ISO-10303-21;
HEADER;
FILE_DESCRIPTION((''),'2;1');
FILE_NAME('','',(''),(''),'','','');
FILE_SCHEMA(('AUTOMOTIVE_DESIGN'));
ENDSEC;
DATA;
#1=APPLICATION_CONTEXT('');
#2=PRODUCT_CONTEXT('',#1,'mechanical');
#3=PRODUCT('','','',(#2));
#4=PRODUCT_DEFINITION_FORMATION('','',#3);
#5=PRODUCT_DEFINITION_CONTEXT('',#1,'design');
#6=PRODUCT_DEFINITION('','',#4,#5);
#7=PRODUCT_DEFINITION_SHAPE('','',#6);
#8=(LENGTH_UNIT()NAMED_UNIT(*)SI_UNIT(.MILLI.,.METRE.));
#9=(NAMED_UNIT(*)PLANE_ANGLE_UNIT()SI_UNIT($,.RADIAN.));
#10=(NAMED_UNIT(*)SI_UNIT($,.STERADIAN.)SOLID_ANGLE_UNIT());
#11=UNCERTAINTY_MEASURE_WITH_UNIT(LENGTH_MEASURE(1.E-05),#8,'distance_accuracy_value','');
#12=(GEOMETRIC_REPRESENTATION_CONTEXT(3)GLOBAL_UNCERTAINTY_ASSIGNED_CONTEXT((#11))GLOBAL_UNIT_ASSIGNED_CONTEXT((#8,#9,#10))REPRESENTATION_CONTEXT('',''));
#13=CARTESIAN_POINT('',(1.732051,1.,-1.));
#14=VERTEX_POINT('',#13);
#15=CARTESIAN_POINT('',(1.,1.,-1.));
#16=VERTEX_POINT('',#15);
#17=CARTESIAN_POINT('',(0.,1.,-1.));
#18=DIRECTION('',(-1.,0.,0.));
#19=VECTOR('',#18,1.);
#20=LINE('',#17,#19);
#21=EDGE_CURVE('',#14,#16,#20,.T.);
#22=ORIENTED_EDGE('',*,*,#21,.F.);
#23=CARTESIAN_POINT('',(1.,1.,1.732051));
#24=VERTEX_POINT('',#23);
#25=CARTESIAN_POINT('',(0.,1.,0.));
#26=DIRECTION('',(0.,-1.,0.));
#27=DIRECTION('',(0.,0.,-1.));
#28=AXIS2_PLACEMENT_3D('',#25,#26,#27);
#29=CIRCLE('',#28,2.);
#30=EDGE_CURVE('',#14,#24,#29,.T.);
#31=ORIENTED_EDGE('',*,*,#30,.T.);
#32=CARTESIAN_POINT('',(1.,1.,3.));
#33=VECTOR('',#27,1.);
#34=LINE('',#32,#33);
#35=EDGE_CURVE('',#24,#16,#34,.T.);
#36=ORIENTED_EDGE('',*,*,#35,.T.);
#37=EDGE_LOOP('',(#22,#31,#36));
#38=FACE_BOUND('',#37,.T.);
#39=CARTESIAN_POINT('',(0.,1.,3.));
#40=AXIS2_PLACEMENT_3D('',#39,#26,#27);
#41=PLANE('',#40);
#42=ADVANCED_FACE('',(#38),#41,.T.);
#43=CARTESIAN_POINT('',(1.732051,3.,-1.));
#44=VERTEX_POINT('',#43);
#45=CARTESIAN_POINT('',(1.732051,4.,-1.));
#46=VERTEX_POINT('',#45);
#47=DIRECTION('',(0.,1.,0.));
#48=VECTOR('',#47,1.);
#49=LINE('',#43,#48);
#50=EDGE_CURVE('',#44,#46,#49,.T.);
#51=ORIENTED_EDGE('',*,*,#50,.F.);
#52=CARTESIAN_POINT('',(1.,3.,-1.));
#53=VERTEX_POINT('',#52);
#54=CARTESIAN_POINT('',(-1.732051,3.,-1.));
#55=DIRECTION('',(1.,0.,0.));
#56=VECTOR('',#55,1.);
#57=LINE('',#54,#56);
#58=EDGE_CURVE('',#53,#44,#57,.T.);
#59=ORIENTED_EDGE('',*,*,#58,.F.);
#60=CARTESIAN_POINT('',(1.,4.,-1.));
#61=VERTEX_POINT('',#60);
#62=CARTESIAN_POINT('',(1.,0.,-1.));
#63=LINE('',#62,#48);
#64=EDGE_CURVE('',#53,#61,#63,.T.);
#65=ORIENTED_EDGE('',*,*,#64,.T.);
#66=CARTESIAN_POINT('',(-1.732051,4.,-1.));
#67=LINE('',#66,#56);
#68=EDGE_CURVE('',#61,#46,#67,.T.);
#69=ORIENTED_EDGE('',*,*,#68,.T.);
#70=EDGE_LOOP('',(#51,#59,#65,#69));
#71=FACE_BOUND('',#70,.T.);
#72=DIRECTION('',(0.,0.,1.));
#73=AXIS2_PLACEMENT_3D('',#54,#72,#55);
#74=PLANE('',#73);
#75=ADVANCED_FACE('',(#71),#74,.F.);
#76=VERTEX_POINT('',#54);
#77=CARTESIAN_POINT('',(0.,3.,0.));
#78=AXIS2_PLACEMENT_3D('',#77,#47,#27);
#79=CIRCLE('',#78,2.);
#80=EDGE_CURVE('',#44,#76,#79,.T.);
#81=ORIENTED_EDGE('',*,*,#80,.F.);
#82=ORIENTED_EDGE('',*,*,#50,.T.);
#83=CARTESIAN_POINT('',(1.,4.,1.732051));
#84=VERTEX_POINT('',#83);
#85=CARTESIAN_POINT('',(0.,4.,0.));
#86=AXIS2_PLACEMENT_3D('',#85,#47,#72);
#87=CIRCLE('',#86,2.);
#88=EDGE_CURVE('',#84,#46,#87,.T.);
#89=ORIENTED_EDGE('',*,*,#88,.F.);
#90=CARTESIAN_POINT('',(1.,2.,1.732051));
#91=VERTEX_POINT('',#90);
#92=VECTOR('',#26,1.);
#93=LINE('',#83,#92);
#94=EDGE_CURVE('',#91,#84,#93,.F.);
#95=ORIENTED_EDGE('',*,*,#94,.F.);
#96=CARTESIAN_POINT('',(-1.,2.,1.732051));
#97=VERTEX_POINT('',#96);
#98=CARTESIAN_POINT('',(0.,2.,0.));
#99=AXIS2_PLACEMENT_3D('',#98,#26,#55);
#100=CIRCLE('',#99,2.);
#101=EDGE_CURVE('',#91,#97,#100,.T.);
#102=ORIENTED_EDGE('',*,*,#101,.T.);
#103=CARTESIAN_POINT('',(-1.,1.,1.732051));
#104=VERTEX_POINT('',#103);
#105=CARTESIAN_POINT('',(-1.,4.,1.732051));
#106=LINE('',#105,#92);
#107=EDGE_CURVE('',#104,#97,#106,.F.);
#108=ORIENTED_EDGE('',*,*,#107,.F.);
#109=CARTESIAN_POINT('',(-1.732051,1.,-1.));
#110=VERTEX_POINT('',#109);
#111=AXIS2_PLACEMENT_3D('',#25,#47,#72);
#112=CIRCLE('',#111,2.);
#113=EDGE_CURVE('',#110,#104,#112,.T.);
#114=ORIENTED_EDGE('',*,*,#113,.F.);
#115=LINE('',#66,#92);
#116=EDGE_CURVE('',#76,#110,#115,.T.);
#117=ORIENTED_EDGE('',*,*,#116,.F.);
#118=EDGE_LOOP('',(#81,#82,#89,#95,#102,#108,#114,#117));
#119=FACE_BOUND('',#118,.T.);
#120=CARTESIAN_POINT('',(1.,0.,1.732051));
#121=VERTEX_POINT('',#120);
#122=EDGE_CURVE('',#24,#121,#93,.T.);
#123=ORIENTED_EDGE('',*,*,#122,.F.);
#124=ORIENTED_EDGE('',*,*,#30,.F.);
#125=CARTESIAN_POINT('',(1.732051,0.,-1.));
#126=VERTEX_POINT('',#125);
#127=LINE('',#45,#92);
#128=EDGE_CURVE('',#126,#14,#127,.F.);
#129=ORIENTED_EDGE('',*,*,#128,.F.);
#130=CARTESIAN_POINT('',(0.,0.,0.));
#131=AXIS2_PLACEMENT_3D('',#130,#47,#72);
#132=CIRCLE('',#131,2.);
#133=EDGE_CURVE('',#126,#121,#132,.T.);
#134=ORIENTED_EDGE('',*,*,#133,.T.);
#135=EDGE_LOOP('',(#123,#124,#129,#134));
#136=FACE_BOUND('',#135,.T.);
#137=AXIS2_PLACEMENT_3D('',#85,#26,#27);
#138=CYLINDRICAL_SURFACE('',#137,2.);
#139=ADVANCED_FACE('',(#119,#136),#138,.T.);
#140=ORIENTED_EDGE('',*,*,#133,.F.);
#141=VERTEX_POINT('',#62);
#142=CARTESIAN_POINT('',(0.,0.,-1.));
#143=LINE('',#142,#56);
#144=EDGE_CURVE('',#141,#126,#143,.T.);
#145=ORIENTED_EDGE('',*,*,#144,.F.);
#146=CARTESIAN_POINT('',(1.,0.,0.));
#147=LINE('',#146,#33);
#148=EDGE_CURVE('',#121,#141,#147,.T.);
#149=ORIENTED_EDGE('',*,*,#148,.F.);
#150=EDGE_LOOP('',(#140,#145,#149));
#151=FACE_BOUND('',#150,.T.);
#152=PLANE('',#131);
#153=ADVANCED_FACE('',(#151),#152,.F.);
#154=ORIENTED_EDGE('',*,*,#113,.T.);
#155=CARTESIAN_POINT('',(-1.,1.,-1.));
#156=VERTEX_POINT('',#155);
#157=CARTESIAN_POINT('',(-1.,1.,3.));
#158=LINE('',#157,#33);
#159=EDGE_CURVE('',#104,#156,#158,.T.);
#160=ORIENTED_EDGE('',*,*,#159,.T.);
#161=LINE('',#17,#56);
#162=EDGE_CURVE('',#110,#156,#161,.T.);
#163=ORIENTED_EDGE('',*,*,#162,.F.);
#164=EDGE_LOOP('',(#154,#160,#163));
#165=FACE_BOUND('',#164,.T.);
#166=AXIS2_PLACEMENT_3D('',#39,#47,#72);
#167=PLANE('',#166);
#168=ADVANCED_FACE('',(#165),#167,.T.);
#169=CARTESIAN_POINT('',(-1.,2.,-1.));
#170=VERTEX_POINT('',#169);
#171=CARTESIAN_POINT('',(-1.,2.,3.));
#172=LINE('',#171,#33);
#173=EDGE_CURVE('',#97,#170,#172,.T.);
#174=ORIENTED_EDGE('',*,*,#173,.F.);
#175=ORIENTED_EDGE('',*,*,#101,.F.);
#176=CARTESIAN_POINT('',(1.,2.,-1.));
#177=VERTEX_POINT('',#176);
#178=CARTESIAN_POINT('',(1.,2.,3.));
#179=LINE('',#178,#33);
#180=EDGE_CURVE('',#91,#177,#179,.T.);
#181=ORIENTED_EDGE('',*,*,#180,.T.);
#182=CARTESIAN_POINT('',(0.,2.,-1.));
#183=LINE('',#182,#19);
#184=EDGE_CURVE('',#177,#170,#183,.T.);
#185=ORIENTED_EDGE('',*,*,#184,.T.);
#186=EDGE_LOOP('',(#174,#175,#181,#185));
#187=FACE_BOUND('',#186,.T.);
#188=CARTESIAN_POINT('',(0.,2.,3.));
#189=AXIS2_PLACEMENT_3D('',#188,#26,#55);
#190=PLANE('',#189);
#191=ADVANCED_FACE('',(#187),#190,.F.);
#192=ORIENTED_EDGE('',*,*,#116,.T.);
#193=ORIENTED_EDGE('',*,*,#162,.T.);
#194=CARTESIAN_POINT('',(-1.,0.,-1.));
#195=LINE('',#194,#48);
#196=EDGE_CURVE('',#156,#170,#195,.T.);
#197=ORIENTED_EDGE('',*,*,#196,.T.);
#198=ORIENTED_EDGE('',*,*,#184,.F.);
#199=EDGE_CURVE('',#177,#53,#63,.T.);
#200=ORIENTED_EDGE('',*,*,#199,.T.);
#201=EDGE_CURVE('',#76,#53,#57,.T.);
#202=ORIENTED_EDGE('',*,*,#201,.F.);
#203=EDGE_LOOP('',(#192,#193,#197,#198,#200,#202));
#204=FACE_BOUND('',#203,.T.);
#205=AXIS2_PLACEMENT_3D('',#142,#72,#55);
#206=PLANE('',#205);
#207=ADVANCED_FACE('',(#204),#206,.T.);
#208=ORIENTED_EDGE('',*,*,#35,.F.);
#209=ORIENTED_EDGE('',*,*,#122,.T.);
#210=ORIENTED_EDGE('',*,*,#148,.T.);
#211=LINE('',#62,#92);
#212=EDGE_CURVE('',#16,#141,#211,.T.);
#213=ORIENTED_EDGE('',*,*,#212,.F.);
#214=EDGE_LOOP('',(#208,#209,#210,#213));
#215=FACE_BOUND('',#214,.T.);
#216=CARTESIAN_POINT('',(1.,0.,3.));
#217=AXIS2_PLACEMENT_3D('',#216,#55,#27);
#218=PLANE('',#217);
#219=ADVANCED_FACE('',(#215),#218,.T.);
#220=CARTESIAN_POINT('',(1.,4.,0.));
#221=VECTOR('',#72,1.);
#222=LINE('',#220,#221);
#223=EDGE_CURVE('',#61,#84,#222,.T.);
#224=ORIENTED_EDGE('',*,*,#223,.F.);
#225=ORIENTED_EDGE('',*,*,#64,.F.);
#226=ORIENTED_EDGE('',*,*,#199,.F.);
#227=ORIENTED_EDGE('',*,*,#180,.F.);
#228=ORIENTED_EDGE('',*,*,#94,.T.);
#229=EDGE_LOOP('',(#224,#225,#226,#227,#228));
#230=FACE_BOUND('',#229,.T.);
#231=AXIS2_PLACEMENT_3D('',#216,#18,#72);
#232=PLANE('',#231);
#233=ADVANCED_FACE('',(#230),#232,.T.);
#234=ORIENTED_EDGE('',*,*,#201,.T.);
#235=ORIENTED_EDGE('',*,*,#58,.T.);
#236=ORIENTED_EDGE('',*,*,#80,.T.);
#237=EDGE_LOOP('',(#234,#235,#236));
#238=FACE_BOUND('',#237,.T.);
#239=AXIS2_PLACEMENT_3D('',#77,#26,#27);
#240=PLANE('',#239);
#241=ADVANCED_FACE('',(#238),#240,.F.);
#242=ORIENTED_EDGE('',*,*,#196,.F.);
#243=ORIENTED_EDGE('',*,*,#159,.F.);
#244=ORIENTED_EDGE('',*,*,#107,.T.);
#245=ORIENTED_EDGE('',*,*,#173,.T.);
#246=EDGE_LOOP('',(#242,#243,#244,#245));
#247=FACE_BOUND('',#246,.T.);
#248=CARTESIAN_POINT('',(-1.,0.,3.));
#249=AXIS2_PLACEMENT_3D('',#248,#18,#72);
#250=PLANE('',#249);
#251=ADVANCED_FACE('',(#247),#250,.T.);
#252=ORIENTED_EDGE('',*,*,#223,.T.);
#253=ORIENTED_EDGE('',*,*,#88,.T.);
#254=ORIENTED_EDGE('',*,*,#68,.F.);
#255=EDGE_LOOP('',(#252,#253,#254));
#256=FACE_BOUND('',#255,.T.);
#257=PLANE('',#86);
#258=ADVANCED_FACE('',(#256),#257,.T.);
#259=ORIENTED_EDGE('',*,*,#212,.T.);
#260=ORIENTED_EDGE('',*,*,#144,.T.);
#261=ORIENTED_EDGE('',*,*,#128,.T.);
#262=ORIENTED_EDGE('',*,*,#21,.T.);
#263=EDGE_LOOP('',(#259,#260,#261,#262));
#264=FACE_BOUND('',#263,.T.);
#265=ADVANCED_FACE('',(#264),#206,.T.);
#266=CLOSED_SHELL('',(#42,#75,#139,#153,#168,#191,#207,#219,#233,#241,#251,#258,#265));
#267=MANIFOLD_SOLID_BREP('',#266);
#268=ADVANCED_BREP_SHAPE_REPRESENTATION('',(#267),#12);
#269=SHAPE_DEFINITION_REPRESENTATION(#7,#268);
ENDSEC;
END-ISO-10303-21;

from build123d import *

# Parameters (mm, degrees)
SKETCH1_R               = 2
BOSS_EXTRUDE1_DEPTH     = 4
SKETCH2_W               = 1
SKETCH2_H               = 1
CUT_EXTRUDE1_DEPTH      = 3
CUT_EXTRUDE1_DEPTH_BACK = 1
CUT_EXTRUDE4_DEPTH      = 1


with BuildPart() as part:
    # Sketch1 → Boss-Extrude1 (new body)
    with BuildSketch(Plane(origin=(0, 0, 0), x_dir=(1, 0, 0), z_dir=(0, 1, 0))):
        Circle(SKETCH1_R)
    extrude(amount=BOSS_EXTRUDE1_DEPTH)

    # Sketch2 → Cut-Extrude1 (cut, two sides)
    with BuildSketch(Plane.XY) as cut_extrude1_sk:
        Polygon((1, 2), (1, 3), (1, 4), (-2, 4), (-2, 3), (-2, 1), (-1, 1), (-1, 2), align=None)
        with Locations((1.5, 0.5)):
            Rectangle(SKETCH2_W, SKETCH2_H)
    extrude(amount=CUT_EXTRUDE1_DEPTH, mode=Mode.SUBTRACT)
    extrude(cut_extrude1_sk.sketch, amount=-CUT_EXTRUDE1_DEPTH_BACK, mode=Mode.SUBTRACT)

    # Sketch5 → Cut-Extrude4 (cut)
    with BuildSketch(Plane(origin=(0, 4, 0), x_dir=(1, 0, 0), z_dir=(0, 1, 0))):
        with BuildLine():
            Line((-1.732050808, 1), (1.732050808, 1))
            ThreePointArc((1.732050808, 1), (0, 2), (-1.732050808, 1))
        make_face()
    extrude(amount=-CUT_EXTRUDE4_DEPTH, mode=Mode.SUBTRACT)


solid = part.part
